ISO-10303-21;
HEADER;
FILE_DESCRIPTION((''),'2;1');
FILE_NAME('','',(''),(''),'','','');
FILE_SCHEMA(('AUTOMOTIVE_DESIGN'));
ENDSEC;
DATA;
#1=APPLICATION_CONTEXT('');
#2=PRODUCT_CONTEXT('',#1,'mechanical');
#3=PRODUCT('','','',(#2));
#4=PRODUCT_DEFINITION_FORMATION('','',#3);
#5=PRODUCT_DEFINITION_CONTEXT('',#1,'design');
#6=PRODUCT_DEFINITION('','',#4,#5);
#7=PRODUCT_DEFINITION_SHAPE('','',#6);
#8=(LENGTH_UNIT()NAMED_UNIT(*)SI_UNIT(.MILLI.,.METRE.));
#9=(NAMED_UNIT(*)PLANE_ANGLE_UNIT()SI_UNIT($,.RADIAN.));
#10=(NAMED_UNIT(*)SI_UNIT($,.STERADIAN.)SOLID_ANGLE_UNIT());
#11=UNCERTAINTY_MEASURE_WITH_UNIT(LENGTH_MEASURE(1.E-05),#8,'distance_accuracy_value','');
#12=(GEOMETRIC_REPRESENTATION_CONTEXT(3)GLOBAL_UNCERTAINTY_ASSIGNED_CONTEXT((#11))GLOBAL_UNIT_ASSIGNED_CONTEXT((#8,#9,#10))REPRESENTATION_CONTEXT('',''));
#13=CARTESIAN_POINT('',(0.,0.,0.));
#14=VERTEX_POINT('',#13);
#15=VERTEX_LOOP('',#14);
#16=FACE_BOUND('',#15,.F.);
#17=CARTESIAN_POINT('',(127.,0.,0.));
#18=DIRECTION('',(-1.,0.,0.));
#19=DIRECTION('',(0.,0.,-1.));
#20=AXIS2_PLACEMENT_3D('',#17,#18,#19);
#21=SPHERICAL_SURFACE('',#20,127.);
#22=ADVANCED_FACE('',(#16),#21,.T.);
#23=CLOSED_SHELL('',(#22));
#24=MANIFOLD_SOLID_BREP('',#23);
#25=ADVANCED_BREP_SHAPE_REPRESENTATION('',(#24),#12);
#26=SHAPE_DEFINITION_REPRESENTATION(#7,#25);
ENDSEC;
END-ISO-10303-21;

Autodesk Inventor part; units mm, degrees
ref_plane "YZ Plane" through (0, 0, 0) normal (1, 0, 0) x (0, 1, 0)
ref_plane "XZ Plane" through (0, 0, 0) normal (0, 1, 0) x (-1, 0, 0)
ref_plane "XY Plane" through (0, 0, 0) normal (0, 0, 1) x (1, 0, 0)
sketch "Sketch1" plane through (0, 0, 0) normal (0, 1, 0) x (-1, 0, 0)
  line L0 (0, 0) -> (-254, 0)
  arc A0 (-254, 0) -> (0, 0) centre (-127, 0) ccw
  dimension "d0" = 254
revolve "Revolution1" add sketch "Sketch1" angle 360 about axis through (0, 0, 0) along (1, 0, 0)
properties part number "Ball"
